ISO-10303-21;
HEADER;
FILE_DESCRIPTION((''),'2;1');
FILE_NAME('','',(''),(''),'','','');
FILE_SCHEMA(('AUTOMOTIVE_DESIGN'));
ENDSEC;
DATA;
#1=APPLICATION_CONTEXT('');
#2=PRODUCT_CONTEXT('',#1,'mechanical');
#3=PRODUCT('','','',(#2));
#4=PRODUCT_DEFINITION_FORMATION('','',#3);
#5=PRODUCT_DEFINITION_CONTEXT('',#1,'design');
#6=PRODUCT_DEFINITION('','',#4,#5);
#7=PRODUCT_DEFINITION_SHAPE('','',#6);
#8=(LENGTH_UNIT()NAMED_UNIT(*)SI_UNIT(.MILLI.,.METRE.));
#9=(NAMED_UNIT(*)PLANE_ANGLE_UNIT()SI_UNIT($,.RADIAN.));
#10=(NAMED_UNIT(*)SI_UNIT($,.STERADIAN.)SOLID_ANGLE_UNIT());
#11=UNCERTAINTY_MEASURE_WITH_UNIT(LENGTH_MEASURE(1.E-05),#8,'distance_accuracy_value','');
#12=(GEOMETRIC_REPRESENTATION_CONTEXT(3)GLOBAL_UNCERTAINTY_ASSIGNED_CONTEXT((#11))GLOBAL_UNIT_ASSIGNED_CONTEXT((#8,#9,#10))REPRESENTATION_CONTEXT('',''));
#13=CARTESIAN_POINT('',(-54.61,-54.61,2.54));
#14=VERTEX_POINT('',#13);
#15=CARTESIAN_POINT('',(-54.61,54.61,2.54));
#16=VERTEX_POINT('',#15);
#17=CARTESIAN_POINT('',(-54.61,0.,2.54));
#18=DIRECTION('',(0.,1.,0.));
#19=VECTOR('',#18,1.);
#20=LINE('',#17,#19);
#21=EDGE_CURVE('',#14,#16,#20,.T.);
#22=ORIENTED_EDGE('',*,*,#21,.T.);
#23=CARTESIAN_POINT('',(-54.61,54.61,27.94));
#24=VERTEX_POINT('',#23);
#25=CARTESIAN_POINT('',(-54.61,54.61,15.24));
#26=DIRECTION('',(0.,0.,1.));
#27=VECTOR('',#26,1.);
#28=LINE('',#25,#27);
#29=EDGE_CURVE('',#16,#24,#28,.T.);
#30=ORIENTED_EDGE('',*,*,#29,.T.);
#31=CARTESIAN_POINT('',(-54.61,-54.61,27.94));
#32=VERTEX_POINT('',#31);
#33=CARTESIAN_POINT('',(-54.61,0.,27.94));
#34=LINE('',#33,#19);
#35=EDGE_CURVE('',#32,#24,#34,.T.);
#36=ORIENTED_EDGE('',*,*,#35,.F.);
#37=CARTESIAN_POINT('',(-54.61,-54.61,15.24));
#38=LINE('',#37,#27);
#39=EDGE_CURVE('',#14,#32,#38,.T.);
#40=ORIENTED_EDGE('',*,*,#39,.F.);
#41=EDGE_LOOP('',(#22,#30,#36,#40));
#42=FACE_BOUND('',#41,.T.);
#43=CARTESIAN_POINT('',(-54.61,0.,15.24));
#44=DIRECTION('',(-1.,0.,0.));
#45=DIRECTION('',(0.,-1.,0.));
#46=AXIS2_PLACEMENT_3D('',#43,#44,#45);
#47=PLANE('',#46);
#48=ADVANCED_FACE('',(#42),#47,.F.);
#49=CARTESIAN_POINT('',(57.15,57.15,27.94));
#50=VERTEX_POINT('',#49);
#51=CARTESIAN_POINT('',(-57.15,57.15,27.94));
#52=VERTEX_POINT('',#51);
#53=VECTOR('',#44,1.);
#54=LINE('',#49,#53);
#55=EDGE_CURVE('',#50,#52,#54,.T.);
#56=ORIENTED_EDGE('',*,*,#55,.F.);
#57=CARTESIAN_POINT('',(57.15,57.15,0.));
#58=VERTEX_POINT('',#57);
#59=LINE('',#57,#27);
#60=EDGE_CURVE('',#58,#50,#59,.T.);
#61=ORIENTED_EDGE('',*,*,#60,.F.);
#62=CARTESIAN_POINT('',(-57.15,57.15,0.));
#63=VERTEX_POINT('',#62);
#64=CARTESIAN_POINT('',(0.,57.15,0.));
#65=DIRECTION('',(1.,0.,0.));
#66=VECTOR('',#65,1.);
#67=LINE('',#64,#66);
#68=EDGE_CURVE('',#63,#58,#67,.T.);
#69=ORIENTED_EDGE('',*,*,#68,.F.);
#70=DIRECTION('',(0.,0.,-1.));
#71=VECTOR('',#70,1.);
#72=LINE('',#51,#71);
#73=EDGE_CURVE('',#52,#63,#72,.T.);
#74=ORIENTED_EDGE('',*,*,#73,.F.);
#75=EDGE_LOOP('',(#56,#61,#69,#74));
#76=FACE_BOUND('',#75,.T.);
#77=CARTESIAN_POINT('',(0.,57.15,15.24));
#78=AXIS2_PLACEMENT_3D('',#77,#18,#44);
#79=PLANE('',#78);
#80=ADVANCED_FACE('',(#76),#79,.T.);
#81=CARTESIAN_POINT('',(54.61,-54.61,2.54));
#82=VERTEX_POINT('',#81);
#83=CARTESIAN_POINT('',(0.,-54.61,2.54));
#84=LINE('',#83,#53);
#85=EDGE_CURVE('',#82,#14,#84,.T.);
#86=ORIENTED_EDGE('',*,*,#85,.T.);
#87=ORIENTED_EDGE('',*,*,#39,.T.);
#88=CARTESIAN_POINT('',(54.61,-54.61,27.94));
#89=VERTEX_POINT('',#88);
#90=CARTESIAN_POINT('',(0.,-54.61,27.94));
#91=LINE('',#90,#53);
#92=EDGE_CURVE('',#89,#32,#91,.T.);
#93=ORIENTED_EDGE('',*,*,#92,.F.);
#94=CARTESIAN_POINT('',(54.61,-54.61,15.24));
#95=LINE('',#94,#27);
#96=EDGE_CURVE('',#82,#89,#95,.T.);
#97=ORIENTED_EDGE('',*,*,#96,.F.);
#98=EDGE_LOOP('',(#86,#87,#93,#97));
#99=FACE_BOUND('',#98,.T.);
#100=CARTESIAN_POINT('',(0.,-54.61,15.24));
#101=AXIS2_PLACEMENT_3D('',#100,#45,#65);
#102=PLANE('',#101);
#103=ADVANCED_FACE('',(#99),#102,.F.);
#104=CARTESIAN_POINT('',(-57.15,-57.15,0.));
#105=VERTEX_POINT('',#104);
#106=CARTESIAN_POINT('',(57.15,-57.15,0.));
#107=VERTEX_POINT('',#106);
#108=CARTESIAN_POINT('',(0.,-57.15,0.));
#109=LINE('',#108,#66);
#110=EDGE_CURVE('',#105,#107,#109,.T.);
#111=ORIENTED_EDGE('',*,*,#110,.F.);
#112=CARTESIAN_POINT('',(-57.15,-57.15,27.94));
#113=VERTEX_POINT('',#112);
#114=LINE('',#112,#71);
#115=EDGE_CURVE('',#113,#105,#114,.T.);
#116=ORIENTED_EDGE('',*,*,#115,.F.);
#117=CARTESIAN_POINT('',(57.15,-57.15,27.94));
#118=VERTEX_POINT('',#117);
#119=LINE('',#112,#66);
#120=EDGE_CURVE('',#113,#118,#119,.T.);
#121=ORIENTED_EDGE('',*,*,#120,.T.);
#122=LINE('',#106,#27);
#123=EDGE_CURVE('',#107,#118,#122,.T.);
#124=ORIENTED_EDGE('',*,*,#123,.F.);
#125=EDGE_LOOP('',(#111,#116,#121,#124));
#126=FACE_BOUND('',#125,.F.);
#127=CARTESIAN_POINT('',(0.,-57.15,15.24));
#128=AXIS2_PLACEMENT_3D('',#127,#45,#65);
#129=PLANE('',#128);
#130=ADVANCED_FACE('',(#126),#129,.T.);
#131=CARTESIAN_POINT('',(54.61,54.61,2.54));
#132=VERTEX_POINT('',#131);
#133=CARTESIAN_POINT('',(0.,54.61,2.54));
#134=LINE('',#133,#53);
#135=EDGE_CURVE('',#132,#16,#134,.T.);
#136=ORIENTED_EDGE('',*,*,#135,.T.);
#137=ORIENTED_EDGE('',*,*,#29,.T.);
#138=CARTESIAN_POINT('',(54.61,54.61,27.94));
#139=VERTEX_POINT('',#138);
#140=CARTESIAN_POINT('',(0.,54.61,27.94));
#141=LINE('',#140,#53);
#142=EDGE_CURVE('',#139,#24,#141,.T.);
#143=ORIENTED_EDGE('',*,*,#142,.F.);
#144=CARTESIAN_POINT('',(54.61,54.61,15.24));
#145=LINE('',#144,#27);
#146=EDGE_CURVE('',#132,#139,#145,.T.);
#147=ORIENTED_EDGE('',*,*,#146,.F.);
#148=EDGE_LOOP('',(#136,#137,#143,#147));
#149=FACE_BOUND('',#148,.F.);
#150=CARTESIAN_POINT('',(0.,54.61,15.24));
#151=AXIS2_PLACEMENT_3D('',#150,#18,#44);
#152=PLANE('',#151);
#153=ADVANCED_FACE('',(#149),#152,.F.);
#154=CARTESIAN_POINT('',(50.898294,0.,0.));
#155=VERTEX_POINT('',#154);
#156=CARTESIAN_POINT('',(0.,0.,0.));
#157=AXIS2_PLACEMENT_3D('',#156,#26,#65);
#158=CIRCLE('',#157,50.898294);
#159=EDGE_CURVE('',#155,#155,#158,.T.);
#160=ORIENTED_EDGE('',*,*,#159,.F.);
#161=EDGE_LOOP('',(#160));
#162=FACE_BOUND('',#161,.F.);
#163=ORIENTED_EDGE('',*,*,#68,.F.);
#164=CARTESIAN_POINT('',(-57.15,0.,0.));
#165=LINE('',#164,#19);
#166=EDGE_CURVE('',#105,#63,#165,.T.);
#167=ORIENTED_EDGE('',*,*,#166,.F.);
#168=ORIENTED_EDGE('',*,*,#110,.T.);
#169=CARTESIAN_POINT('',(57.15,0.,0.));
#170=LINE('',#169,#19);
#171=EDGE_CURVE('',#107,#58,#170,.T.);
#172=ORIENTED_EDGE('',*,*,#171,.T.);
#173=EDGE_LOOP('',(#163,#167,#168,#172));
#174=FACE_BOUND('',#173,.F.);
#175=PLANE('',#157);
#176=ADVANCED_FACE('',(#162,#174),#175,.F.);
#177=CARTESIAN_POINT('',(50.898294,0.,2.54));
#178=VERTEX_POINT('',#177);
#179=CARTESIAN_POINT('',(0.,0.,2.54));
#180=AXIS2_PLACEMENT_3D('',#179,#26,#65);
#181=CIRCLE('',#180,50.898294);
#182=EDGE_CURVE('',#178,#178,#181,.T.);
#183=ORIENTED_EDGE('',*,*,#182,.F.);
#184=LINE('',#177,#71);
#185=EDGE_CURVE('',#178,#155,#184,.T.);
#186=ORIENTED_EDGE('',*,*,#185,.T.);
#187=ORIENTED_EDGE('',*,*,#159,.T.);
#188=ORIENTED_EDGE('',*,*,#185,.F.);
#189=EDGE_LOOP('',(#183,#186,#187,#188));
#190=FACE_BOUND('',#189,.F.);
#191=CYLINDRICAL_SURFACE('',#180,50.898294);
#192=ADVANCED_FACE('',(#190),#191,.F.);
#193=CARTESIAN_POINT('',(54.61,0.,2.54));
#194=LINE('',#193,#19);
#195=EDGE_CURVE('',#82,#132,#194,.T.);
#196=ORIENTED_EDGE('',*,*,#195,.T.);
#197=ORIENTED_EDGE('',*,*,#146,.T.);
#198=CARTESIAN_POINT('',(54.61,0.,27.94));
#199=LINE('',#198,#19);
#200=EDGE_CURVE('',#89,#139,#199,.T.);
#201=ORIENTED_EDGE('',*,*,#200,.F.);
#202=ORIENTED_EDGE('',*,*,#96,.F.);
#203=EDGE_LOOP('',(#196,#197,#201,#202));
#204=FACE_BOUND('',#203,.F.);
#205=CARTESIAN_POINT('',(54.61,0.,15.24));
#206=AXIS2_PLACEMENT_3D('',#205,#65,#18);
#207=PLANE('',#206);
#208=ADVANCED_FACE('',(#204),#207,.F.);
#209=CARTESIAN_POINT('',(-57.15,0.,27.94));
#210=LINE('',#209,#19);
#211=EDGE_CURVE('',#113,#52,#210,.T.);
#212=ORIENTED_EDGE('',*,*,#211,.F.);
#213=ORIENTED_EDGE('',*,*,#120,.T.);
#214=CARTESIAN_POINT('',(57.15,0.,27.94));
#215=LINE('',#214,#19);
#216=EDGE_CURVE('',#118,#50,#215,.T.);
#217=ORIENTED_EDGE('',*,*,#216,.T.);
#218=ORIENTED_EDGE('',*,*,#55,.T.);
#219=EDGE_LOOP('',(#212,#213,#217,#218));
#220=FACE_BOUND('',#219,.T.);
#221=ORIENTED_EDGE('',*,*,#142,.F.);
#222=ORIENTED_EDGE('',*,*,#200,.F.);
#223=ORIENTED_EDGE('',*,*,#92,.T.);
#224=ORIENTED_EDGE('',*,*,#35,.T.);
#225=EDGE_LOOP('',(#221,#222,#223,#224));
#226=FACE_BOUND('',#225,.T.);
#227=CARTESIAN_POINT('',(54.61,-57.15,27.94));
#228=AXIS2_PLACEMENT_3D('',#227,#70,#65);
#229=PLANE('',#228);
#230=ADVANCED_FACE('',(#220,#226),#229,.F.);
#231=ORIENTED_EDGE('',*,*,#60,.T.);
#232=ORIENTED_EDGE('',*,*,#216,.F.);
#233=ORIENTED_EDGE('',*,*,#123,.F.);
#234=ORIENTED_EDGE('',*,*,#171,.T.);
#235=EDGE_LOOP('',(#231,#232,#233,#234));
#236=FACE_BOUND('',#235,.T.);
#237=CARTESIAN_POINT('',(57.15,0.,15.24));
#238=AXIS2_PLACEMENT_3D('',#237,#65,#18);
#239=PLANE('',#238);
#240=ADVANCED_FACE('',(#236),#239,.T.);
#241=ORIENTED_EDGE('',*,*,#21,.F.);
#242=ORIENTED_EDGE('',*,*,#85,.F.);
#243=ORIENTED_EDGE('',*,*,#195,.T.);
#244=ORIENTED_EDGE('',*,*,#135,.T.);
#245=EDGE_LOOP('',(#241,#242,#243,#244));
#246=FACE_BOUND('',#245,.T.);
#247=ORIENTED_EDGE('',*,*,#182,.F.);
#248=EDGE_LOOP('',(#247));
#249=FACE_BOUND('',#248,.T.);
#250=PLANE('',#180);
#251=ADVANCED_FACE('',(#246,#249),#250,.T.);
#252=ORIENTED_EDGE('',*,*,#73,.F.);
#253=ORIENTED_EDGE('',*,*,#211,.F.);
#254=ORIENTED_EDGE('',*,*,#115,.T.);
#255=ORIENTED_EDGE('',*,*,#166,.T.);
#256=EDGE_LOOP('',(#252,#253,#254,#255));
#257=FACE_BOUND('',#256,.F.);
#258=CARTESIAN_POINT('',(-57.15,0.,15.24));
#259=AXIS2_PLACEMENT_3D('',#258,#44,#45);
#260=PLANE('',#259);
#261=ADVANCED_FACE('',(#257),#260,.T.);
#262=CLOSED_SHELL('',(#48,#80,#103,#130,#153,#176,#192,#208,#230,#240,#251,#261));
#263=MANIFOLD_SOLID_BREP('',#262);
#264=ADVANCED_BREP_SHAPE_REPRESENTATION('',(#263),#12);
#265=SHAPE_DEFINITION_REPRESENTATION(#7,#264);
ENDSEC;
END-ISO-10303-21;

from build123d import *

# Parameters (mm, degrees)
F0_W      = 114.3
F0_H      = 114.3
F1_DEPTH  = 2.54
F2_W      = 114.3
F2_H      = 25.4
F3_DEPTH  = 2.54
F5_W      = 109.22
F5_H      = 25.4
F6_DEPTH  = 2.54
F8_W      = 114.3
F8_H      = 114.3
F8_W_2    = 109.22
F8_H_2    = 109.22
F9_DEPTH  = 2.54
F10_W     = 114.3
F10_H     = 114.3
F11_DEPTH = 2.54
F12_W     = 76.2
F12_H     = 104.14
F13_DEPTH = 1.27
F14_R     = 6.35
F15_DEPTH = 1.27
F17_R     = 50.8982940966
F18_DEPTH = 2.54


with BuildPart() as f1:
    # F0 (on Top) → F1 (new body)
    with BuildSketch(Plane.XY):
        Rectangle(F0_W, F0_H)
    extrude(amount=F1_DEPTH)

    # F4: F3 across plane


with BuildPart() as f3:
    # F2 (on face) → F3 (new body)
    with BuildSketch(Plane.YZ.offset(57.15)):
        with Locations((0, 15.24)):
            Rectangle(F2_W, F2_H)
    extrude(amount=-F3_DEPTH)


with BuildPart() as f1_1:
    add(f1.part)
    add(f3.part.mirror(Plane.YZ))



with BuildPart() as f6:
    # F5 (on face) → F6 (new body)
    with BuildSketch(Plane(origin=(0, 57.15, 0), x_dir=(-1, 0, 0), z_dir=(0, 1, 0))):
        with Locations((0, 15.24)):
            Rectangle(F5_W, F5_H)
    extrude(amount=-F6_DEPTH)


with BuildPart() as f1_2:
    add(f1_1.part)

    add(f3.part)  # F7 merges F3

    add(f6.part)  # F7 merges F6
    # F7: F6 across plane
    add(f6.part.mirror(Plane.XZ))

    # F17 (on face) → F18 (cut, through all)
    with BuildSketch(Plane.XY.offset(2.54)):
        Circle(F17_R)
    extrude(amount=-F18_DEPTH, mode=Mode.SUBTRACT)


with BuildPart() as f9:
    # F8 (on face) → F9 (new body)
    with BuildSketch(Plane.XY.offset(27.94)):
        Rectangle(F8_W, F8_H)
        Rectangle(F8_W_2, F8_H_2, mode=Mode.SUBTRACT)
        Rectangle(F8_W_2, F8_H_2)
    extrude(amount=F9_DEPTH)

    # F10 (on face) → F11 (join)
    with BuildSketch(Plane.XY.offset(30.48)):
        Rectangle(F10_W, F10_H)
    extrude(amount=F11_DEPTH)

    # F12 (on face) → F13 (cut)
    with BuildSketch(Plane.XY.offset(33.02)):
        with Locations((-13.97, 0)):
            Rectangle(F12_W, F12_H)
    extrude(amount=-F13_DEPTH, mode=Mode.SUBTRACT)

    # F14 (on face) → F15 (cut)
    with BuildSketch(Plane.XY.offset(33.02)):
        with BuildLine():
            ThreePointArc((55.245, 45.72), (48.895, 52.07), (42.545, 45.72))
            ThreePointArc((42.545, 45.72), (48.895, 39.37), (55.245, 45.72))
        make_face()
        with Locations((32.385, 45.72)):
            Circle(F14_R)
        with BuildLine():
            ThreePointArc((40.64, 6.35), (36.1498719395, -4.4901280605), (46.99, 0))
            ThreePointArc((46.99, 0), (45.1301280605, 4.4901280605), (40.64, 6.35))
        make_face()
    extrude(amount=-F15_DEPTH, mode=Mode.SUBTRACT)


solid = f1_2.part
